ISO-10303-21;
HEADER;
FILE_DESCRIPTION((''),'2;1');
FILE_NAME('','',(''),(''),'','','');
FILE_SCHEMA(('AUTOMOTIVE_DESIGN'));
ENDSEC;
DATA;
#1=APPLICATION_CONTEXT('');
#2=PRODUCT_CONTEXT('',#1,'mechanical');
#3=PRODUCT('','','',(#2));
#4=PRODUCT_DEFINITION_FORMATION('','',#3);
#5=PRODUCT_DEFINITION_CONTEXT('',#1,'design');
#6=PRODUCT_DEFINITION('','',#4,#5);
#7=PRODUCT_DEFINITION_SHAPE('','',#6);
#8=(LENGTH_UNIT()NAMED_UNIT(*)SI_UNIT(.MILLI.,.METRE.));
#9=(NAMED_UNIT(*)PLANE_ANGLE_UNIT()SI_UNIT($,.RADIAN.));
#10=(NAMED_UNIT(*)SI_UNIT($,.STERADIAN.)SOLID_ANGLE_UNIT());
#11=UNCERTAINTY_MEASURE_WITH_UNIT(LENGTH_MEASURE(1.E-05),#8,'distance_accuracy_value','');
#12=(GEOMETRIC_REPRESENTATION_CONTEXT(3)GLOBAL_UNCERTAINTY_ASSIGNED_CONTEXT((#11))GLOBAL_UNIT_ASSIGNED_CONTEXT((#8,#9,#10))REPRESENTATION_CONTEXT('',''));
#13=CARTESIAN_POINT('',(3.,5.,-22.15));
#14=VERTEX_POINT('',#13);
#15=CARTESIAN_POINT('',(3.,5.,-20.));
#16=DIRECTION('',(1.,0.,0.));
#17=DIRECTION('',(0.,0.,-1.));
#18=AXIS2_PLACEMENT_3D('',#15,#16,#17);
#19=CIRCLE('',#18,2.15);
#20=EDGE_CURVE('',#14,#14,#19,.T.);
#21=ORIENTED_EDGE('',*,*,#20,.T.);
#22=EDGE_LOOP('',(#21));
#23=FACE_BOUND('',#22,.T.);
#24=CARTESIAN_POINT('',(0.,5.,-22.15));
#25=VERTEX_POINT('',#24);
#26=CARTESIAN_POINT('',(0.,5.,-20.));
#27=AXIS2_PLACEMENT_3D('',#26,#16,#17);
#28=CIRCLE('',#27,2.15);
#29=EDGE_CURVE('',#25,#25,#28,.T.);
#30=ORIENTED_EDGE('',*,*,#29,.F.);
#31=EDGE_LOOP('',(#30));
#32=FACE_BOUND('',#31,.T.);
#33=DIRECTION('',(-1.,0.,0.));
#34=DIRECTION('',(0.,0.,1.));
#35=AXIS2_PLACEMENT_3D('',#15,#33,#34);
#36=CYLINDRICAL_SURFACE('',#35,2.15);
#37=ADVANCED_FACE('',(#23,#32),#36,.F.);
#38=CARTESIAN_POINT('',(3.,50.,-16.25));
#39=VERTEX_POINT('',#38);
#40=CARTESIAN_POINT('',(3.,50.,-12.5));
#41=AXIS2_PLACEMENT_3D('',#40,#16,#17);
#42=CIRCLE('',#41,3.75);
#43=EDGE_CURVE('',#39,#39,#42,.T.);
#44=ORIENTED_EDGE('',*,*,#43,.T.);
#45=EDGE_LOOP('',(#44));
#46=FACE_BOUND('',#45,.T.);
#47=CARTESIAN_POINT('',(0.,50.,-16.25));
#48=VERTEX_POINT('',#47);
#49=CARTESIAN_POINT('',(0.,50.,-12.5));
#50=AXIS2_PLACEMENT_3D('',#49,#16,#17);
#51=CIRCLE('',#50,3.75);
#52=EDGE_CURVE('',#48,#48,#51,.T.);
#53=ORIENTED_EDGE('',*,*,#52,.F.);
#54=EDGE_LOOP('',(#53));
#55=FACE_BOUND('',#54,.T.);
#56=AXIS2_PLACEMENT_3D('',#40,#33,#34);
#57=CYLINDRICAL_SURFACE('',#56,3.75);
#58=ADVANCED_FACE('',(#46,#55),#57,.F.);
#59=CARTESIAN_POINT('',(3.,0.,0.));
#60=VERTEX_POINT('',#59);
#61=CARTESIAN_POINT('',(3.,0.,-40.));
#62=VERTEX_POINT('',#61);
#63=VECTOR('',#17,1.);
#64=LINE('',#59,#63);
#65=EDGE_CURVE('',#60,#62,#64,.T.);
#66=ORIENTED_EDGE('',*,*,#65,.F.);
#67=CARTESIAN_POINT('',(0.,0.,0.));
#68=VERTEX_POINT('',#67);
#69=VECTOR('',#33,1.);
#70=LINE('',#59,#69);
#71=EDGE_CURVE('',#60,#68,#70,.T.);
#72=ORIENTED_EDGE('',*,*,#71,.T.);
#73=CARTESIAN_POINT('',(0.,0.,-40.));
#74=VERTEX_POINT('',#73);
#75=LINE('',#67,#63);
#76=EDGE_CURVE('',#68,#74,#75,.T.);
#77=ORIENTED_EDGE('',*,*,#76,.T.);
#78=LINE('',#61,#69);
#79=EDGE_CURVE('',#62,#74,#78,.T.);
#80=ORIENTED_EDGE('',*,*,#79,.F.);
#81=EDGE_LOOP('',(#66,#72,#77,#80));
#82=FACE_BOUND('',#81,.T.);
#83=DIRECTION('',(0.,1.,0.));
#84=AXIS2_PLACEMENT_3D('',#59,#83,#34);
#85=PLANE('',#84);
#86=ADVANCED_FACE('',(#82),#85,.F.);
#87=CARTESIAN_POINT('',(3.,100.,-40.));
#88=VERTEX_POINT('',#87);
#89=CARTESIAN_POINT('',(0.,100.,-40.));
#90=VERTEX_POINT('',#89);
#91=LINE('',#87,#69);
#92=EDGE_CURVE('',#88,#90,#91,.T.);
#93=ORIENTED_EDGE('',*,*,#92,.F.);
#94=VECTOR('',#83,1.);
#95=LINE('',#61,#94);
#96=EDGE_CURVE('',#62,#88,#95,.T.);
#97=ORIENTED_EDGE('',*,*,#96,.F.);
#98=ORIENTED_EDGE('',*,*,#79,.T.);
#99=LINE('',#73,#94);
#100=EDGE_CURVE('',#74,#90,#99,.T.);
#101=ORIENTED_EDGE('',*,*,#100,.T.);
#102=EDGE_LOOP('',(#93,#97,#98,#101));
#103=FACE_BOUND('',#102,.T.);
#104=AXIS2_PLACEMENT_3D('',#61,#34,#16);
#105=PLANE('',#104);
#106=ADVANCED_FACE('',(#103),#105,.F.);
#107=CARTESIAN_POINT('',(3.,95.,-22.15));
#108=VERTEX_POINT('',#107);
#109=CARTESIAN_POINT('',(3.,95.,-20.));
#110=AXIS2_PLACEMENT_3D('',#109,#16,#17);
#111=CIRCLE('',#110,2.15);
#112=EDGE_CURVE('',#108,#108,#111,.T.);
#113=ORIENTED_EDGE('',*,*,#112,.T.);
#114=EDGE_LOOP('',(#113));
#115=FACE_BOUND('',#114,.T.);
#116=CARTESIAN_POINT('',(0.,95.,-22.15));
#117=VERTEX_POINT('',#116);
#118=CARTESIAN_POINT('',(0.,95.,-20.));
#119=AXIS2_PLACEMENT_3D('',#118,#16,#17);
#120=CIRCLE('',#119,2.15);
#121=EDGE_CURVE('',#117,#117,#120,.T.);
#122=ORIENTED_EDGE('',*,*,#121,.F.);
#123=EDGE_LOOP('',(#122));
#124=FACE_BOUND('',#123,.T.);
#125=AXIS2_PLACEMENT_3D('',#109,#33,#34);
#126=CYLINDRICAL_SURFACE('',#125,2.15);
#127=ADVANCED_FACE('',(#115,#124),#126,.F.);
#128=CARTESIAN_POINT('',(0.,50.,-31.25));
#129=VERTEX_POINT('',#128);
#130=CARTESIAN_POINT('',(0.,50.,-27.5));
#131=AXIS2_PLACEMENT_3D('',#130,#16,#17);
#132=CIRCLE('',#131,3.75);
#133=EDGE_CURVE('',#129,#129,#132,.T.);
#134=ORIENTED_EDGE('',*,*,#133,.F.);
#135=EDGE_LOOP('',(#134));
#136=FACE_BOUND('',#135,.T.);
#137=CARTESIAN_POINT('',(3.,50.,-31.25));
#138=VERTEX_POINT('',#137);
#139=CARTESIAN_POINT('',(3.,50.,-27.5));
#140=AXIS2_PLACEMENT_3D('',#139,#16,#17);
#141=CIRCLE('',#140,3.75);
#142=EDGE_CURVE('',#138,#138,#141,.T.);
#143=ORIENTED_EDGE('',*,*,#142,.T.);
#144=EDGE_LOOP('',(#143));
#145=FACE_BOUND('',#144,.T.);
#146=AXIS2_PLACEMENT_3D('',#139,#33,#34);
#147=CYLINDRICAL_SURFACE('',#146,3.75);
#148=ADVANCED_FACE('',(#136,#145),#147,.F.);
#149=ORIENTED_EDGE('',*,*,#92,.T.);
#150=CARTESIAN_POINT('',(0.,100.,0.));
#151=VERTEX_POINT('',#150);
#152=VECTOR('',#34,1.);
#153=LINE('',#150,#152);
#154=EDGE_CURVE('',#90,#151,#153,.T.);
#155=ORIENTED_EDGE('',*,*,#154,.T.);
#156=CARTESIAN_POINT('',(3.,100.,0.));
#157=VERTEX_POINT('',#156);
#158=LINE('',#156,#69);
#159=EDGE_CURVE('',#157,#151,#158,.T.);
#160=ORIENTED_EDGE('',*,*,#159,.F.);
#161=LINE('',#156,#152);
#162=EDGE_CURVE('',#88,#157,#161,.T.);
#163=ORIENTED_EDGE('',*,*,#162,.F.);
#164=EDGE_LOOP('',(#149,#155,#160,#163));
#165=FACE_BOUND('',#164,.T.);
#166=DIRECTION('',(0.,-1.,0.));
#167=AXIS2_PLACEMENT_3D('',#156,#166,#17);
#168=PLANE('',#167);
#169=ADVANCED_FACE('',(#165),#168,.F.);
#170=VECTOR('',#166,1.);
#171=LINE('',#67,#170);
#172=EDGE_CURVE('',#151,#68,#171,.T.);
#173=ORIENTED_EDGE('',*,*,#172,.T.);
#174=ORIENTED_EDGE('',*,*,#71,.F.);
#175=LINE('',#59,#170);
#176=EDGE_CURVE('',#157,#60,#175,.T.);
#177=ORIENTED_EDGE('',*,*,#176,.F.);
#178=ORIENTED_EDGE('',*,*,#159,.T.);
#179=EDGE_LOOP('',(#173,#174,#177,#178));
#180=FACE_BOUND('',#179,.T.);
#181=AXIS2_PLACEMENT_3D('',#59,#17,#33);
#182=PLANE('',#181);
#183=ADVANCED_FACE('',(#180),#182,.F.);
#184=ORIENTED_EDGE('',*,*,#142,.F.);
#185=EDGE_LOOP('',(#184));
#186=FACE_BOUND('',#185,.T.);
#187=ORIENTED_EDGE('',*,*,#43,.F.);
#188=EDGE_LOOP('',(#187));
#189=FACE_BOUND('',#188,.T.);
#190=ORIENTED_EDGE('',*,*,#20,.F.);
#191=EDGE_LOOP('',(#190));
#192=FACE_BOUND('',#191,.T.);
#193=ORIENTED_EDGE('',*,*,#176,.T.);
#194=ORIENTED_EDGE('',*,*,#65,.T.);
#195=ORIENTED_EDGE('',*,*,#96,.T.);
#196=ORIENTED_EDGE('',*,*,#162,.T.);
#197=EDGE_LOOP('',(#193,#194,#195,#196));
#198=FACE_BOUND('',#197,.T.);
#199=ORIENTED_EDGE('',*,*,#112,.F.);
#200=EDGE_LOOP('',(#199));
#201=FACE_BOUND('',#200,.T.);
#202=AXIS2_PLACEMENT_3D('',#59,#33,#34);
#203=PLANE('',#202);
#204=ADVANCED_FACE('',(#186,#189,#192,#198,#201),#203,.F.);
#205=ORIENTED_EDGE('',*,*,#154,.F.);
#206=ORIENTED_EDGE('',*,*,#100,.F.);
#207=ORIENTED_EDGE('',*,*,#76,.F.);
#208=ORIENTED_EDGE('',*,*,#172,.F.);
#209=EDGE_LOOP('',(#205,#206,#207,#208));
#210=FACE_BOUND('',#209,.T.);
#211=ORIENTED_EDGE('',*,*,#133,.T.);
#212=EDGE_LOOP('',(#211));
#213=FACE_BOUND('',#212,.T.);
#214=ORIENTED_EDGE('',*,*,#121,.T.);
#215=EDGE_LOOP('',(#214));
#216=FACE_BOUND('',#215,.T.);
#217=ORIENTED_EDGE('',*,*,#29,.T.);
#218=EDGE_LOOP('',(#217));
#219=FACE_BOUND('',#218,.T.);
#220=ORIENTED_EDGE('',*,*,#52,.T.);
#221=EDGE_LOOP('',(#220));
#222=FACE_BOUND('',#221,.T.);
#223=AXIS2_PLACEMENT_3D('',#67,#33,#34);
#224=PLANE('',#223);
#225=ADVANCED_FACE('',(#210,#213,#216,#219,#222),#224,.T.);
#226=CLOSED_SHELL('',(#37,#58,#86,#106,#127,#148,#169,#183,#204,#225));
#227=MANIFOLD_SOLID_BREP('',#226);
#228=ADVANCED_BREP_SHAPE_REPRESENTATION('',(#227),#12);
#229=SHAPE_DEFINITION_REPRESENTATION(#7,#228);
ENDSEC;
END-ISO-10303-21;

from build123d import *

# Parameters (mm, degrees)
SKETCH1_W           = 40
SKETCH1_H           = 100
SKETCH1_R           = 2.15
SKETCH1_R_2         = 3.75
BOSS_EXTRUDE2_DEPTH = 3


with BuildPart() as part:
    # Sketch1 → Boss-Extrude2 (new body)
    with BuildSketch(Plane(origin=(0, 0, 0), x_dir=(0, 0, -1), z_dir=(1, 0, 0))):
        with Locations((20, 50)):
            Rectangle(SKETCH1_W, SKETCH1_H)
        with Locations((20, 95)):
            Circle(SKETCH1_R, mode=Mode.SUBTRACT)
        with Locations((20, 5)):
            Circle(SKETCH1_R, mode=Mode.SUBTRACT)
        with Locations((12.5, 50)):
            Circle(SKETCH1_R_2, mode=Mode.SUBTRACT)
        with Locations((27.5, 50)):
            Circle(SKETCH1_R_2, mode=Mode.SUBTRACT)
    extrude(amount=BOSS_EXTRUDE2_DEPTH)


solid = part.part
